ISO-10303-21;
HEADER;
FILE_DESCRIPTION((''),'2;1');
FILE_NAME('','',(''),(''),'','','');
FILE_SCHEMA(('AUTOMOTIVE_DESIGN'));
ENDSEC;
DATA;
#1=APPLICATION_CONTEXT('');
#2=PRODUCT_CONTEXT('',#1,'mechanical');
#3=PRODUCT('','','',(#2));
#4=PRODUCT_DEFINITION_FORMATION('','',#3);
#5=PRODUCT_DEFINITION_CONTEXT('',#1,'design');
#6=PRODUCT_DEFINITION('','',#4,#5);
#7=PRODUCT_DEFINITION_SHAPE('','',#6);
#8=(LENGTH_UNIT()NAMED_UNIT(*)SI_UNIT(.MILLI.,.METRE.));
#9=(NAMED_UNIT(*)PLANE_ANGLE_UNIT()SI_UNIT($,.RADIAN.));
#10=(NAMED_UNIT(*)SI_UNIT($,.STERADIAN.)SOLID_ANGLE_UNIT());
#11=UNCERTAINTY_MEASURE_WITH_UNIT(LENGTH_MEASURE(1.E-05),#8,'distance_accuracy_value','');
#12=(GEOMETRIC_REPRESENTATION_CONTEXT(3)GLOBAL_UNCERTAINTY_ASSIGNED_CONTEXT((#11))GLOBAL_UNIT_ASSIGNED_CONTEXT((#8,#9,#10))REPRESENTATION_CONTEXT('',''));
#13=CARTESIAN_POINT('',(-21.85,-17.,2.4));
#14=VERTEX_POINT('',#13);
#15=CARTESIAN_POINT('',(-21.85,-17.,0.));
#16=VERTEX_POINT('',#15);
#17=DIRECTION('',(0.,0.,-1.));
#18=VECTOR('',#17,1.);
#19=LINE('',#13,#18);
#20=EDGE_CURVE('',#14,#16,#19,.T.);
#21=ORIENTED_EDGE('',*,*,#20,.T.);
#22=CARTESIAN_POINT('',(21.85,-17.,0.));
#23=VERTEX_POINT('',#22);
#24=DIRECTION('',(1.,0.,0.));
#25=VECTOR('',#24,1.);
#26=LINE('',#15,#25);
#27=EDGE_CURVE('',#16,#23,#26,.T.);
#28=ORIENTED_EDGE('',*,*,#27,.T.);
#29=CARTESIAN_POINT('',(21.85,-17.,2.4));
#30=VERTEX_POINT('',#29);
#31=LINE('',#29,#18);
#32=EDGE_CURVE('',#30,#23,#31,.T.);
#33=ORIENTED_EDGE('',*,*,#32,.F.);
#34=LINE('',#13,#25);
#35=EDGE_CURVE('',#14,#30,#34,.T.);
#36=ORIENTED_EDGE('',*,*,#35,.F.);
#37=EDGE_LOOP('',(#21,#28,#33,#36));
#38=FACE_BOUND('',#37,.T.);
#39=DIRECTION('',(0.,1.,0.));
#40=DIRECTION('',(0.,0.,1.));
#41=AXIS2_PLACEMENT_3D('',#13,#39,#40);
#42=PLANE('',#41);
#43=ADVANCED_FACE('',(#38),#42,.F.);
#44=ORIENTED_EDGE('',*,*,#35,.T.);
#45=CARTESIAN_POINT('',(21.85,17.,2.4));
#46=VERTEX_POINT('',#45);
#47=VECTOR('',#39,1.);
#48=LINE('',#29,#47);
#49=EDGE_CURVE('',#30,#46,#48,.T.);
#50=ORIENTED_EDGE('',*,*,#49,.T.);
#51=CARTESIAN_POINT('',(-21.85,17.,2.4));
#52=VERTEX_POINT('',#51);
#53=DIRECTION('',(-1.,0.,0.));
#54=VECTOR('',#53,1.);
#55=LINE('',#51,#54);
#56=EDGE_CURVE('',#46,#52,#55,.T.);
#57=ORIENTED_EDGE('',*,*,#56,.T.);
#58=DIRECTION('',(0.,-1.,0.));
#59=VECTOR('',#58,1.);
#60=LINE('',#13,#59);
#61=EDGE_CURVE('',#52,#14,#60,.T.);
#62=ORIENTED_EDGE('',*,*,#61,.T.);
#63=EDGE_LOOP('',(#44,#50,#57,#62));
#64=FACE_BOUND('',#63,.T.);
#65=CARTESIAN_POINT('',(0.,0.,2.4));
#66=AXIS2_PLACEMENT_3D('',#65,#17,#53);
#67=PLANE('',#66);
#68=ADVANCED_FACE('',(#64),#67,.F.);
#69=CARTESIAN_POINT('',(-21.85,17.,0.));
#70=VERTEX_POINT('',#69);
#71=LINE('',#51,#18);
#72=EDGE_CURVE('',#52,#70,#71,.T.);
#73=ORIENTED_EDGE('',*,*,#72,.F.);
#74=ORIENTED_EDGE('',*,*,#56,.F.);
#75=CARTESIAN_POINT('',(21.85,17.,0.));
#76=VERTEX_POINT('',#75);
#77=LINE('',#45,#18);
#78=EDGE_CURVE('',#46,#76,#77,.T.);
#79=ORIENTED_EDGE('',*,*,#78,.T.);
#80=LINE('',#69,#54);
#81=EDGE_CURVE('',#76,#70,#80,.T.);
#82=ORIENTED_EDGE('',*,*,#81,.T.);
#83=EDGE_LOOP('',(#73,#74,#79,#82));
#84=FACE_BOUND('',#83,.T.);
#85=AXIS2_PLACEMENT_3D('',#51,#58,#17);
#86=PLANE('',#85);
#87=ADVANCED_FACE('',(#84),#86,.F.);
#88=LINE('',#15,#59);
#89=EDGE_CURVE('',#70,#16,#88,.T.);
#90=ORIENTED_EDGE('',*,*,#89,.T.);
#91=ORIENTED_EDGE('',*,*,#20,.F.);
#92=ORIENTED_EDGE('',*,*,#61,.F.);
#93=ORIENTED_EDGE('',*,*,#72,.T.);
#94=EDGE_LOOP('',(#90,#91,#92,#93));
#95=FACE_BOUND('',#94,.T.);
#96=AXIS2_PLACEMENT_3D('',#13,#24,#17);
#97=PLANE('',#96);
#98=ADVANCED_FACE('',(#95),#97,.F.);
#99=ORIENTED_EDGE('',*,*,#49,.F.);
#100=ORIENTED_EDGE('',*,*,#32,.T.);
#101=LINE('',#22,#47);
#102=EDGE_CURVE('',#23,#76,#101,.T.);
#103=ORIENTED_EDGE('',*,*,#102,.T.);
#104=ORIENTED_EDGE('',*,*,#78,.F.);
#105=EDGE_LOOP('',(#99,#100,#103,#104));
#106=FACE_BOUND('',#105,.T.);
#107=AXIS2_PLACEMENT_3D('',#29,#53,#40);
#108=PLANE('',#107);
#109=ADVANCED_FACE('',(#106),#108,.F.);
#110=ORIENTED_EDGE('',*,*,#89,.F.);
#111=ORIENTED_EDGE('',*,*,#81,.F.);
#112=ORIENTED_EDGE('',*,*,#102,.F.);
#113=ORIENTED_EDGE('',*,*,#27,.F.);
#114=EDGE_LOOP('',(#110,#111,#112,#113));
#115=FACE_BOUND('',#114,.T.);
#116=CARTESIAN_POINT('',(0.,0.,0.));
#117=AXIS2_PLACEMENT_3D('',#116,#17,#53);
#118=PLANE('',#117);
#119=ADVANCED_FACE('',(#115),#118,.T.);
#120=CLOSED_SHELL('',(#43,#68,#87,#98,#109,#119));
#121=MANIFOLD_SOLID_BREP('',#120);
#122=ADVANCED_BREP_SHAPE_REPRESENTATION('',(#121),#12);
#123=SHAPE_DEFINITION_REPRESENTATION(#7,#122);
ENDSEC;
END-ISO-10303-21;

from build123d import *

# Parameters (mm, degrees)
SKETCH1_W      = 43.7
SKETCH1_H      = 34
ENVELOPE_DEPTH = 2.4


with BuildPart() as part:
    # Sketch1 → Envelope (new body)
    with BuildSketch(Plane.XY):
        Rectangle(SKETCH1_W, SKETCH1_H)
    extrude(amount=ENVELOPE_DEPTH)


solid = part.part
